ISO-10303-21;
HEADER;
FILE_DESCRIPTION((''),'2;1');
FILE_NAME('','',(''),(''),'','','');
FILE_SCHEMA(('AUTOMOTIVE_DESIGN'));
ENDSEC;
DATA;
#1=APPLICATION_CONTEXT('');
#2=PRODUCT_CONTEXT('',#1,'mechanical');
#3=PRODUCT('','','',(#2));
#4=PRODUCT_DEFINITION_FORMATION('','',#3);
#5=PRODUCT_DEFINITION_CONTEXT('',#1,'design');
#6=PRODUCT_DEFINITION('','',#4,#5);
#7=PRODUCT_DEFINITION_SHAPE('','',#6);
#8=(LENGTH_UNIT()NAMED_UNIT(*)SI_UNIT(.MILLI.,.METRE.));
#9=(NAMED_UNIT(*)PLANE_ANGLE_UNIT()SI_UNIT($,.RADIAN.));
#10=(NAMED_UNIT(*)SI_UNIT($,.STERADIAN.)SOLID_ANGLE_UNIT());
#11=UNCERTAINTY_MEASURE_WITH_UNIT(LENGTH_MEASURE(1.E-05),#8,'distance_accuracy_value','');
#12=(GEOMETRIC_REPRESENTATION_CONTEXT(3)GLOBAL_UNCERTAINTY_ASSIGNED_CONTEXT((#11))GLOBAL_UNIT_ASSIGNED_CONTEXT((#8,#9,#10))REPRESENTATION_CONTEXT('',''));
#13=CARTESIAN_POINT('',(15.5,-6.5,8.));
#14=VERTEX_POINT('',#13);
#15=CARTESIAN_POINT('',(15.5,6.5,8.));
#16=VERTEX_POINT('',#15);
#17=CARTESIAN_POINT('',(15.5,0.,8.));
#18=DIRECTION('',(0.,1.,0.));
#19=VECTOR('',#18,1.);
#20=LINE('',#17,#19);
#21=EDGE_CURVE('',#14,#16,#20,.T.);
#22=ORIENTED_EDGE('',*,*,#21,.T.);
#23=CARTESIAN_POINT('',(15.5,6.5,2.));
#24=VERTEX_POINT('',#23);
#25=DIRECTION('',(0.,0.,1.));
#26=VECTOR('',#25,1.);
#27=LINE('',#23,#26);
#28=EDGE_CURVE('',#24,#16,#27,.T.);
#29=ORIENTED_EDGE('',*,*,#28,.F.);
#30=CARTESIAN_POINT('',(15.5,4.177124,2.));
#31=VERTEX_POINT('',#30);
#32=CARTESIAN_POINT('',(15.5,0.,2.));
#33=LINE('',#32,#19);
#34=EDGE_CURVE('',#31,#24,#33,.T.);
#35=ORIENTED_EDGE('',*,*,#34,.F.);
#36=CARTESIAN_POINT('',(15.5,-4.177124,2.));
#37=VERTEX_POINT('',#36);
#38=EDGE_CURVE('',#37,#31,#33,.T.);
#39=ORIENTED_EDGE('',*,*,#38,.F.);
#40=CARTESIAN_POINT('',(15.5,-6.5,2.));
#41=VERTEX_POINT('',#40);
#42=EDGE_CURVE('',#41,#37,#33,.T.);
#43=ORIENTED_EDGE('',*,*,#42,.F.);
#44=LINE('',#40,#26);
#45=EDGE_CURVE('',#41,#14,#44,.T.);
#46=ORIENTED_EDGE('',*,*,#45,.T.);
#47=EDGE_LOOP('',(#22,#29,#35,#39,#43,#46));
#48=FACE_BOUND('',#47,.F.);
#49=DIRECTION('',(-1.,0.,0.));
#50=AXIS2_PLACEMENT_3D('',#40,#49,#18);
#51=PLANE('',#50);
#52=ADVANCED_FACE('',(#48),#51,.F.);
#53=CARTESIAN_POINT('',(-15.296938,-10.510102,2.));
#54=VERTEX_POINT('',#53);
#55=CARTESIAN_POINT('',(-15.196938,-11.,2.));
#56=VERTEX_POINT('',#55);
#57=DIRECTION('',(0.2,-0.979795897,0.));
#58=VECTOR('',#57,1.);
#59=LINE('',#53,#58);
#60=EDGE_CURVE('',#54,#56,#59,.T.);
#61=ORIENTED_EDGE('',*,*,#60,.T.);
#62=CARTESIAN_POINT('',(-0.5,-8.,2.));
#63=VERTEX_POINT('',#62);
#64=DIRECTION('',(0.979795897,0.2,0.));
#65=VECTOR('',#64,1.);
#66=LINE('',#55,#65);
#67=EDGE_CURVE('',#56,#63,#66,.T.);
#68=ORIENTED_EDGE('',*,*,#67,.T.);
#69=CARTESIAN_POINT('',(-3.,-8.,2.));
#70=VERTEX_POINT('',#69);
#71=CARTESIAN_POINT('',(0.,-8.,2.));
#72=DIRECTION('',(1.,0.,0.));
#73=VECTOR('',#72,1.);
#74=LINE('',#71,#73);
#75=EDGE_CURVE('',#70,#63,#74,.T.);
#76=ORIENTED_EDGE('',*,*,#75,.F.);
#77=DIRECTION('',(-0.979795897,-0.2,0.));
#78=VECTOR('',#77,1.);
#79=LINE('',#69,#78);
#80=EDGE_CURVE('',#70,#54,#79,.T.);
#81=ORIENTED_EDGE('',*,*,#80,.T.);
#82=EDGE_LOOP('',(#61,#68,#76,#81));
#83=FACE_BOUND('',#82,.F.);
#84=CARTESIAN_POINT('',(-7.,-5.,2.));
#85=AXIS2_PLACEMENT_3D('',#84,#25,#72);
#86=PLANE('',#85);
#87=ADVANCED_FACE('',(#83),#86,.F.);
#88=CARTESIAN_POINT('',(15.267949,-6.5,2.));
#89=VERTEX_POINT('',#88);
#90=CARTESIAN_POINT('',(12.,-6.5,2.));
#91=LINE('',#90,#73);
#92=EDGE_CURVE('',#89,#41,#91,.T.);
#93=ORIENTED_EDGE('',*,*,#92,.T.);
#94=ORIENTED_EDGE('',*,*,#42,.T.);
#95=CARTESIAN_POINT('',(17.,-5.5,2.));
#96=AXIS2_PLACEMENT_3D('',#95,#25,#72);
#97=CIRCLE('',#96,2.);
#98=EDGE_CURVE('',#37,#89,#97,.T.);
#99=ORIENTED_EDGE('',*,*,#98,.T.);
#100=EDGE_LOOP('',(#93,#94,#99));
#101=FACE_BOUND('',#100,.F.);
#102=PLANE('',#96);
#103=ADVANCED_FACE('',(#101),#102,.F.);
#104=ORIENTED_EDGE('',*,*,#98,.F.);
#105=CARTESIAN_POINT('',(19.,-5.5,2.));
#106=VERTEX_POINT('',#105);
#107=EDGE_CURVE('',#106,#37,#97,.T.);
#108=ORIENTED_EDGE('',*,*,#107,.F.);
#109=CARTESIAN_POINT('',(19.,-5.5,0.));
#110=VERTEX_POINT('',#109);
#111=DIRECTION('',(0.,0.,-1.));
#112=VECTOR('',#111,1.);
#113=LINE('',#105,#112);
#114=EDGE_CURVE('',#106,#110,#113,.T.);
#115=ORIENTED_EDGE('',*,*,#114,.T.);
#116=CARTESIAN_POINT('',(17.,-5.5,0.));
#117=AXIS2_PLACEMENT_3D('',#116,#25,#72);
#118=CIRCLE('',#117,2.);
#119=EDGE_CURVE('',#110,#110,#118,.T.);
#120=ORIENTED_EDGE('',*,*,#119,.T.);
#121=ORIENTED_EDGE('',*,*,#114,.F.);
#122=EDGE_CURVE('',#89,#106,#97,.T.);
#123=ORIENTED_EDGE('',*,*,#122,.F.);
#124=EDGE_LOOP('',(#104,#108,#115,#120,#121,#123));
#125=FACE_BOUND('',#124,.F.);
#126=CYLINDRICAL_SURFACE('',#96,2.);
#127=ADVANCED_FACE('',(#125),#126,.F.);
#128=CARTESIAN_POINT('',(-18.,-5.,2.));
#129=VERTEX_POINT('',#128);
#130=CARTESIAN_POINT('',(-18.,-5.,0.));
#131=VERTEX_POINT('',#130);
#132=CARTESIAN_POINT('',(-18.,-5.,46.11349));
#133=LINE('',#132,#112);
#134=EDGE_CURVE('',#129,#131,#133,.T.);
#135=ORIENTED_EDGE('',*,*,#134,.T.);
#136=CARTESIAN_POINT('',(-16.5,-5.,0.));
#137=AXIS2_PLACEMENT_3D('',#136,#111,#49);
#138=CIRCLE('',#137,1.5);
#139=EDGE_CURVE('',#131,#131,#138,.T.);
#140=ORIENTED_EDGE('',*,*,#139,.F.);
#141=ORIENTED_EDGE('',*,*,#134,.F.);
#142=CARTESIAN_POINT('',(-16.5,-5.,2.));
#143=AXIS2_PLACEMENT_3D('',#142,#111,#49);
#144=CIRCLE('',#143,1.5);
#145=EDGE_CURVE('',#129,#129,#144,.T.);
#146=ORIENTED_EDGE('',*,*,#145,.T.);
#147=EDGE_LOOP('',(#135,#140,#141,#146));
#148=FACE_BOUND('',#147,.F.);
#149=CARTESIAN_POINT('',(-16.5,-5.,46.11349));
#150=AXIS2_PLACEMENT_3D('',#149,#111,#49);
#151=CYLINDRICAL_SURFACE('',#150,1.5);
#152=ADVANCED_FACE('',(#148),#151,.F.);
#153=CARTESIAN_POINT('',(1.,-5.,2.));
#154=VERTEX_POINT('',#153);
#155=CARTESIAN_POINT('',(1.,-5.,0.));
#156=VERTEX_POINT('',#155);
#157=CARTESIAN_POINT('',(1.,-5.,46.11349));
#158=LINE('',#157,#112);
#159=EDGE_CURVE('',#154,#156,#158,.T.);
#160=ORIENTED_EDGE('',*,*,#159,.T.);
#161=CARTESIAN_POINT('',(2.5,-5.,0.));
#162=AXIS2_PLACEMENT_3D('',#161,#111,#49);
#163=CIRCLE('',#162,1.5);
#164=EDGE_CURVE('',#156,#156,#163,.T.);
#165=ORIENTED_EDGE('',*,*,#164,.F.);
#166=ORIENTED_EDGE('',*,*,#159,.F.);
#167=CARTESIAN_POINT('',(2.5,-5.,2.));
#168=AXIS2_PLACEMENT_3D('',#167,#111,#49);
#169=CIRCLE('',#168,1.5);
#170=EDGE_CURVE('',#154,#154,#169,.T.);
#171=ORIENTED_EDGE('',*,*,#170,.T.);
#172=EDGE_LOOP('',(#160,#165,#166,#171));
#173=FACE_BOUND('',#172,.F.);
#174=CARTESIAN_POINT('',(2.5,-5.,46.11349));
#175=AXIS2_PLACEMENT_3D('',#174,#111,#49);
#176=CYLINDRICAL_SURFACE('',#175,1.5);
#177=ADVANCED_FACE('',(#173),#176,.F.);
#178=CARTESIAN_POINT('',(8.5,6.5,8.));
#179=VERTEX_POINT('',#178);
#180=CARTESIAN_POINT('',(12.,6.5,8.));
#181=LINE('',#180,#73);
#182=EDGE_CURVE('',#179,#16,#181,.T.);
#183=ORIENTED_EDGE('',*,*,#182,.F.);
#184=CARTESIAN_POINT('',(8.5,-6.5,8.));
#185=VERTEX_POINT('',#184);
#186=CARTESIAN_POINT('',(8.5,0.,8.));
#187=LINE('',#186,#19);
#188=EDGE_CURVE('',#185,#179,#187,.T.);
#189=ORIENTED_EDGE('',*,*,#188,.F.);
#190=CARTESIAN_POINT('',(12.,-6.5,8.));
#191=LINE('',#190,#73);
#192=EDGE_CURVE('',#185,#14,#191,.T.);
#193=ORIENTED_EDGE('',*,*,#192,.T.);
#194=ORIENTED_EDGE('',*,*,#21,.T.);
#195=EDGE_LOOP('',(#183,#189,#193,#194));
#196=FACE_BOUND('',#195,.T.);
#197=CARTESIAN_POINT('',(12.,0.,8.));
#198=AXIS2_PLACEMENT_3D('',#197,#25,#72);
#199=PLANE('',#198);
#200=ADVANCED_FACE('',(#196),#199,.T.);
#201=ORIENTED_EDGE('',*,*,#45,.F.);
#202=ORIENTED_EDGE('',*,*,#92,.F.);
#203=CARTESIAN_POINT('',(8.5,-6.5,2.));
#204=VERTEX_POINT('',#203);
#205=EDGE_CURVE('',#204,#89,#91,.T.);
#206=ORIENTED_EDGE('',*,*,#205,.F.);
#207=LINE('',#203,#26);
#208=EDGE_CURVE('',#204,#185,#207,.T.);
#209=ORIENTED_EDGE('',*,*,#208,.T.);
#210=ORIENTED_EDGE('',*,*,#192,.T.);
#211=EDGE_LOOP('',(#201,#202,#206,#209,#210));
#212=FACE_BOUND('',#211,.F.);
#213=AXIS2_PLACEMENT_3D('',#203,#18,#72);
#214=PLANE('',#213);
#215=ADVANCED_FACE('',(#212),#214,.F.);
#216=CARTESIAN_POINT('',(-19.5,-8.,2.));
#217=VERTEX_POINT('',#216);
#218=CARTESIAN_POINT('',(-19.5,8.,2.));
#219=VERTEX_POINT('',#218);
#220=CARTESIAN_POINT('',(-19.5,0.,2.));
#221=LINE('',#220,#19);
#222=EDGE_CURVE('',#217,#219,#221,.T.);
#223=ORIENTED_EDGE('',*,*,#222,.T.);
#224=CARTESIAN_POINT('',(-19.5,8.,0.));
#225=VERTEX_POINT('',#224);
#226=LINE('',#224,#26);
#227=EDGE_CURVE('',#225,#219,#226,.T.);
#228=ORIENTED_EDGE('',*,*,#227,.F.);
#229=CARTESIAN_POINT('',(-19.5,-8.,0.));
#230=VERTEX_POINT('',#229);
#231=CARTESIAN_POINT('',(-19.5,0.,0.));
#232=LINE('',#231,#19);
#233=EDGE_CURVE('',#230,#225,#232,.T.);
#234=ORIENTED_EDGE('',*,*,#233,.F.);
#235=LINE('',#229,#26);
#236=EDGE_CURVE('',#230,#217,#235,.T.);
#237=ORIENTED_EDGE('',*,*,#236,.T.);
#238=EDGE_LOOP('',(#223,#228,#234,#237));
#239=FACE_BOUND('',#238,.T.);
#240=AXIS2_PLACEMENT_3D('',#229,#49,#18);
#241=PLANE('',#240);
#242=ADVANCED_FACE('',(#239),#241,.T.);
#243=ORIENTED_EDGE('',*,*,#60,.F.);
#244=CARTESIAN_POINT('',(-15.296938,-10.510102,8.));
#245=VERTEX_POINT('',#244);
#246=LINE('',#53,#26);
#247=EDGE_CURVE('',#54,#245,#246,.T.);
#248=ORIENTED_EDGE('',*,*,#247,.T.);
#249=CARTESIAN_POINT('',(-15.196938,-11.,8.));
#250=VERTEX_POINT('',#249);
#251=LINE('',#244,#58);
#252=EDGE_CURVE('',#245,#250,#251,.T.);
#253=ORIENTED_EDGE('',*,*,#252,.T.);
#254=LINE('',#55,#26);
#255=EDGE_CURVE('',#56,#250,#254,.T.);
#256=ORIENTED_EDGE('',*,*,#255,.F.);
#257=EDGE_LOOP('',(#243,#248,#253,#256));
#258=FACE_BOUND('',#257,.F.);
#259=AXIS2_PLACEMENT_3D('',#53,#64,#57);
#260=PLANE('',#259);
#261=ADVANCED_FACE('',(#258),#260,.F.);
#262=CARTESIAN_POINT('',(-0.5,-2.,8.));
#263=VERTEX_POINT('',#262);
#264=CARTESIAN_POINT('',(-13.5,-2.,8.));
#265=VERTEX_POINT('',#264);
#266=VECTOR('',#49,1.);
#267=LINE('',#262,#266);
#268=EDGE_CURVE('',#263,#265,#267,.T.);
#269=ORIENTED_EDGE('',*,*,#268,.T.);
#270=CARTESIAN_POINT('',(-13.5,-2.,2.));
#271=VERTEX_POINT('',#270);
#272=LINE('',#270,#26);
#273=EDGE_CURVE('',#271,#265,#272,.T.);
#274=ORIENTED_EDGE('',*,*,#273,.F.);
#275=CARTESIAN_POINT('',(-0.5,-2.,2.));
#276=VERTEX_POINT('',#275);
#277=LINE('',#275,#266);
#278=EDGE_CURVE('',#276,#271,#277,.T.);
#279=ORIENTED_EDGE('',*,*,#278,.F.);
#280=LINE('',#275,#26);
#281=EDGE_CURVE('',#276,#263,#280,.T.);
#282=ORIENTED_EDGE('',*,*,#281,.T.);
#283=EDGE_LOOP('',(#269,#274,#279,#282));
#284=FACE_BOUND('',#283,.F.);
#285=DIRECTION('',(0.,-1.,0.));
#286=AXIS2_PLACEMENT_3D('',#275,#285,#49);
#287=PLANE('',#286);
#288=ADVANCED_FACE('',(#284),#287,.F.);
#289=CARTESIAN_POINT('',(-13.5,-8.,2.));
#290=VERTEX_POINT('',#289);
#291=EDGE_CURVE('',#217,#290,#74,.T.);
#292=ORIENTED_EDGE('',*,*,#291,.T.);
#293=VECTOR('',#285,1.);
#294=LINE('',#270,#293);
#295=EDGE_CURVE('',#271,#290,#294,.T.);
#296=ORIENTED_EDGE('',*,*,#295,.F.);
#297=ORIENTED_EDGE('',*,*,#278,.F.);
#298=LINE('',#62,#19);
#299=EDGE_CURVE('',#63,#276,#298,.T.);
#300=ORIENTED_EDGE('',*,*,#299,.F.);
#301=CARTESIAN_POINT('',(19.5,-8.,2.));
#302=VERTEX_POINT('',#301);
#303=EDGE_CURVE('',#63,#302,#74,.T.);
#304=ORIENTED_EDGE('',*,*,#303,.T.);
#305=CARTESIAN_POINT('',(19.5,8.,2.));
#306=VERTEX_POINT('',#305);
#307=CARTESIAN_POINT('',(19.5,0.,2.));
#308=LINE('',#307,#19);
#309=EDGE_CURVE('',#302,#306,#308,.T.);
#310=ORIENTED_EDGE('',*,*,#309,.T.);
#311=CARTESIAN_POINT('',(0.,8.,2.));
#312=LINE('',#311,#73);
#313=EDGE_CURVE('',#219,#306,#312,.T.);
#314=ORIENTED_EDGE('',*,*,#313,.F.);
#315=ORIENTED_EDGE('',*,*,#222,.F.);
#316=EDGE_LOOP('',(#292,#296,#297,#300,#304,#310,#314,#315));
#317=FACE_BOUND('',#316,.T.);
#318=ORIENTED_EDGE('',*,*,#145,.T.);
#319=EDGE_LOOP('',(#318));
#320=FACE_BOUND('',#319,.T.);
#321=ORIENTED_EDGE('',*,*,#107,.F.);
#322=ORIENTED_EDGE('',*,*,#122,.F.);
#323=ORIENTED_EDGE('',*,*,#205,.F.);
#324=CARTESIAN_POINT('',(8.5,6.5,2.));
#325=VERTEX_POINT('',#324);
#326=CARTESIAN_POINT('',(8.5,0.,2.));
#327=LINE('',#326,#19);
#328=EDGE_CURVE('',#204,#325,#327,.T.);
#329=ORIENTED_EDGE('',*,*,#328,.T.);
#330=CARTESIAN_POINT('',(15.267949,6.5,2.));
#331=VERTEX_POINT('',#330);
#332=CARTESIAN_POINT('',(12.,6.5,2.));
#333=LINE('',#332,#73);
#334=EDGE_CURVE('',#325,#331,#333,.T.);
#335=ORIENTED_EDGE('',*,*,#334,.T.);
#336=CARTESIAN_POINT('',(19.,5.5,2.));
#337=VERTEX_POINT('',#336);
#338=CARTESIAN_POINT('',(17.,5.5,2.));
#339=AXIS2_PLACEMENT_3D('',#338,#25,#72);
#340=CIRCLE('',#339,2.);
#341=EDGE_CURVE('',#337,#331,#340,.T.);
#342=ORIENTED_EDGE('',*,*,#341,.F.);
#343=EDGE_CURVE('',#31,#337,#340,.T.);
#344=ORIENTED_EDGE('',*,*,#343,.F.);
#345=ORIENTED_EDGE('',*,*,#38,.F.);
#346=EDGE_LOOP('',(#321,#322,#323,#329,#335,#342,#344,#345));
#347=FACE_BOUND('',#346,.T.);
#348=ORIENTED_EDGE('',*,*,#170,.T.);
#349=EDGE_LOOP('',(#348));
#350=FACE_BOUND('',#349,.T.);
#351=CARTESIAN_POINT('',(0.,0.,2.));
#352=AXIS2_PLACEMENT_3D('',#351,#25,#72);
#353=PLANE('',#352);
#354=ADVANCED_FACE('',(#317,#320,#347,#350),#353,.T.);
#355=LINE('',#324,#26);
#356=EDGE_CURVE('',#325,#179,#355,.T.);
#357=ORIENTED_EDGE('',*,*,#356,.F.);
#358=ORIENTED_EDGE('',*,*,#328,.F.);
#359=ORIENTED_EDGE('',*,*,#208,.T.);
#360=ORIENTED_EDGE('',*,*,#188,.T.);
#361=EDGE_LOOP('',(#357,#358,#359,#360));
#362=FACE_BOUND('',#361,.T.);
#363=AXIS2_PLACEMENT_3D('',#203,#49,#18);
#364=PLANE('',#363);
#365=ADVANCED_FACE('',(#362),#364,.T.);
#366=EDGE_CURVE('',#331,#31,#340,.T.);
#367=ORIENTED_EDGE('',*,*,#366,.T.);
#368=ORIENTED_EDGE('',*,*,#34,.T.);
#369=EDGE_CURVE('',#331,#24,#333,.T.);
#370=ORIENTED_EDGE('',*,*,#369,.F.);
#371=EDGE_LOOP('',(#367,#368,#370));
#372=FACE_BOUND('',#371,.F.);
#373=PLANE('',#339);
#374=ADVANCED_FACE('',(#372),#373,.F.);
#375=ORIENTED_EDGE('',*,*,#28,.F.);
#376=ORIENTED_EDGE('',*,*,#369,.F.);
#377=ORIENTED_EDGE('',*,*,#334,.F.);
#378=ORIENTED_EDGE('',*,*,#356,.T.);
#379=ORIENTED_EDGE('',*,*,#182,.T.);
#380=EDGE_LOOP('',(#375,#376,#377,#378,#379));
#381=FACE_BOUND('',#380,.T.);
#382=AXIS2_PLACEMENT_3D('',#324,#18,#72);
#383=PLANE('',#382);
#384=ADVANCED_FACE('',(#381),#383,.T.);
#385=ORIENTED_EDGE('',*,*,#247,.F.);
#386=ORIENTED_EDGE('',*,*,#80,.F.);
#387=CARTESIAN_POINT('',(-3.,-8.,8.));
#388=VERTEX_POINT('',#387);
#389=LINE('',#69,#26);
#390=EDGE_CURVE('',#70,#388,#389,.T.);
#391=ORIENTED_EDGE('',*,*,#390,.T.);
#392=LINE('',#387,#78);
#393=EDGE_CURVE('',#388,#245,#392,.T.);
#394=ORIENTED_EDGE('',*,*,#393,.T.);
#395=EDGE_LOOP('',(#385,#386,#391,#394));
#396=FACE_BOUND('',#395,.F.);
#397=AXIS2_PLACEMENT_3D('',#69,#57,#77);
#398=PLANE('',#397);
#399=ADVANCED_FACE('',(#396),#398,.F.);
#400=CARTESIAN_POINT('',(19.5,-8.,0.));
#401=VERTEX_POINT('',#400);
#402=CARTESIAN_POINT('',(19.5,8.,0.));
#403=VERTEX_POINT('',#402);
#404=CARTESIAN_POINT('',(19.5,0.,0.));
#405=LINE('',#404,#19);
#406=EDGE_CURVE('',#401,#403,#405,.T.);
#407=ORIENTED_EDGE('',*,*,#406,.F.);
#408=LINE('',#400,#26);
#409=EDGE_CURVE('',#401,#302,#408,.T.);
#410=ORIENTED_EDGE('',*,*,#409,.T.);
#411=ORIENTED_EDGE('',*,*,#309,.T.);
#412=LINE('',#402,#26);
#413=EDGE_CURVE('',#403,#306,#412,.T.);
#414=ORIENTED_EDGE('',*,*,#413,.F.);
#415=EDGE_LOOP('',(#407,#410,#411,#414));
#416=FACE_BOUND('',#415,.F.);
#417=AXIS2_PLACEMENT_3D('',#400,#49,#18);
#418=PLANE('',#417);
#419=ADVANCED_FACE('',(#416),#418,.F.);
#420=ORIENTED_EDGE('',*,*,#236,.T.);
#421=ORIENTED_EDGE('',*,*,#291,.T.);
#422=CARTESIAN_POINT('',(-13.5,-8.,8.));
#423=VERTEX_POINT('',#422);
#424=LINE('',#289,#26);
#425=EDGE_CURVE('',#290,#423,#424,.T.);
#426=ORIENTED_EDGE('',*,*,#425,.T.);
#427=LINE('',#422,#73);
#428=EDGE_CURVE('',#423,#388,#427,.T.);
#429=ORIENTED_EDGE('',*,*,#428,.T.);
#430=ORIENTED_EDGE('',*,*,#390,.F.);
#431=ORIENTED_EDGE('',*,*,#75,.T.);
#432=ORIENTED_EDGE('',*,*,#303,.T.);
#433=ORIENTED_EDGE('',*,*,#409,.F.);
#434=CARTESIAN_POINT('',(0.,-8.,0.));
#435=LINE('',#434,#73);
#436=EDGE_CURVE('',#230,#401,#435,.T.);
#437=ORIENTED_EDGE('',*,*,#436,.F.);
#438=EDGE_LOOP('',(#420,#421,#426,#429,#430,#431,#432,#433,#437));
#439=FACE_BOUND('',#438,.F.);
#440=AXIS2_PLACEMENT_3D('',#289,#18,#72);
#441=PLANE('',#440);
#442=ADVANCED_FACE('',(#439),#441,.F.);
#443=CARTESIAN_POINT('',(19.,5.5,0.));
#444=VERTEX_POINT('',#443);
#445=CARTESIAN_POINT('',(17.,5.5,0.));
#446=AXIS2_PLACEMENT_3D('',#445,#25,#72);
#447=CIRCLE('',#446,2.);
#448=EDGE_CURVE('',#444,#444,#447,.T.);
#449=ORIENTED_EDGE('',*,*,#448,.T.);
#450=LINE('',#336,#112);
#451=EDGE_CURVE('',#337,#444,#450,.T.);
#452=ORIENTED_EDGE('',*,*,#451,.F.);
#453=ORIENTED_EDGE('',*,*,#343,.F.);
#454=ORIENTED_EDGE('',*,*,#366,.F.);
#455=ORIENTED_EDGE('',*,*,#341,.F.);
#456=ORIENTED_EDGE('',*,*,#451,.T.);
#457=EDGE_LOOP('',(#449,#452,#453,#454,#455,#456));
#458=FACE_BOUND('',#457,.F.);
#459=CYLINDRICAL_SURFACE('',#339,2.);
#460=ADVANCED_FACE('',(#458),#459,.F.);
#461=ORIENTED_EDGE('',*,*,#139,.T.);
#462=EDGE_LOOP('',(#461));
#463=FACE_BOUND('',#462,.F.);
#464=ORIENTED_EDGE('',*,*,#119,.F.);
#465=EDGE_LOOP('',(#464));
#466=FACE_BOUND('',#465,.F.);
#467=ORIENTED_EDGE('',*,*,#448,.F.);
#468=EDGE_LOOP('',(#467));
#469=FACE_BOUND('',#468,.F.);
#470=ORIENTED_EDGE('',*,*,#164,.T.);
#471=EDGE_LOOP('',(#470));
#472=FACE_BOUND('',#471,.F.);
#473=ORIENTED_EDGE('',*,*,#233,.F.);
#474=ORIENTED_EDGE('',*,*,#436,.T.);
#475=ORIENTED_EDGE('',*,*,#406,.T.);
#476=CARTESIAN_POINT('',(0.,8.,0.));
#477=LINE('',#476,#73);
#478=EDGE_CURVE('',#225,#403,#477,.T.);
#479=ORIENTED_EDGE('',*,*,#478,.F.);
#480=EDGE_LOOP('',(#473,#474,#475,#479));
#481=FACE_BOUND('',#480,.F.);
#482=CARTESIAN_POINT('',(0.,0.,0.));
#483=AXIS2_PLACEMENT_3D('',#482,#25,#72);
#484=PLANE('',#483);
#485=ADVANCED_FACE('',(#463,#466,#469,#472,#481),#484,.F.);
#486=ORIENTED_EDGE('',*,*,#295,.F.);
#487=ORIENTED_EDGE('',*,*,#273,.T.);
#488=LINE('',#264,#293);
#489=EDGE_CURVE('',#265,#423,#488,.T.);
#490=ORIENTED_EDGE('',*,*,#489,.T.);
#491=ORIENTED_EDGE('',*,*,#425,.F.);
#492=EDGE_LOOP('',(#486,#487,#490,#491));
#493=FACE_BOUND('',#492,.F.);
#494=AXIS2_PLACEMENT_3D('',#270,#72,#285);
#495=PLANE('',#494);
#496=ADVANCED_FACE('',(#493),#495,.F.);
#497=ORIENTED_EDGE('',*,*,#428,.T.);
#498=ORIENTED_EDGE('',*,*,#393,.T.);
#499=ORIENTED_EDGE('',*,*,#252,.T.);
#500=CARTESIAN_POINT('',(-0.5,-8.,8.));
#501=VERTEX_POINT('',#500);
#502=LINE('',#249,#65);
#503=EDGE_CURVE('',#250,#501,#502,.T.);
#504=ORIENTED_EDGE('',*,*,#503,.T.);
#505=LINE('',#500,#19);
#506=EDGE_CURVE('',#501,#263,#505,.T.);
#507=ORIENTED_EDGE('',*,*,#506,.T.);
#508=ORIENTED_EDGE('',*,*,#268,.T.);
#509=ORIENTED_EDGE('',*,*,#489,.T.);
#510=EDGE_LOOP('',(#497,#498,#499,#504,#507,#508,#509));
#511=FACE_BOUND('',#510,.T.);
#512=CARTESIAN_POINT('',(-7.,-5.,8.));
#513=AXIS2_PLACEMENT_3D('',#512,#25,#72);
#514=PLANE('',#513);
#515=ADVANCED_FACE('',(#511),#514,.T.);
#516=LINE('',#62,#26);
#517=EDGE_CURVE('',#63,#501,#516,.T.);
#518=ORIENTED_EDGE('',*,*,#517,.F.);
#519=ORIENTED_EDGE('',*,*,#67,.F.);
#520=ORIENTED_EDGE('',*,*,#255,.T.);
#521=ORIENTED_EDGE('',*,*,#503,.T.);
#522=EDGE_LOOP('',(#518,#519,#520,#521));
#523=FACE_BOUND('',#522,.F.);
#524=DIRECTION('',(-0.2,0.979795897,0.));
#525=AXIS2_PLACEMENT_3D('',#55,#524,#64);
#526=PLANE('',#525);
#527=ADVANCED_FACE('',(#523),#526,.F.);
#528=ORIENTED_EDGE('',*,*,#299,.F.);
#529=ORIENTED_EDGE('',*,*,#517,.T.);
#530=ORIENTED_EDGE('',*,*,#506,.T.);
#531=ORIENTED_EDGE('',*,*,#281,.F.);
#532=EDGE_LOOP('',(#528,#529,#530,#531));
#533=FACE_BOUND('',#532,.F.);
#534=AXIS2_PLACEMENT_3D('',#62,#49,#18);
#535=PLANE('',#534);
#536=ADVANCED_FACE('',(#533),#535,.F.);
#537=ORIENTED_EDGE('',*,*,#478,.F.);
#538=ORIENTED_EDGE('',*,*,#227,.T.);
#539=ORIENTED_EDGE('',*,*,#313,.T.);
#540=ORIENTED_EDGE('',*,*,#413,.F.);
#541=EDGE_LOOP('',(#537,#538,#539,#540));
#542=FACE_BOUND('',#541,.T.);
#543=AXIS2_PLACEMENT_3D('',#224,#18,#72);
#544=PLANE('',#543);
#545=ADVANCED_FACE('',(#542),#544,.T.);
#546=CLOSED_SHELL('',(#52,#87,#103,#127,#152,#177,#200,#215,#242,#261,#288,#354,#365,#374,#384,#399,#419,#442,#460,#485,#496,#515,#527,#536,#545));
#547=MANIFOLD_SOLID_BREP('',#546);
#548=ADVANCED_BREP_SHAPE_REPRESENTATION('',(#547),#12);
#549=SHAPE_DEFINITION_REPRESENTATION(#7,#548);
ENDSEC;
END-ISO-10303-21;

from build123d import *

# Parameters (mm, degrees)
F0_W     = 39
F0_H     = 16
F1_DEPTH = 2
F2_W     = 7
F2_H     = 13
F3_DEPTH = 6
F4_D     = 3
F5_D     = 4
F5_DEPTH = 2.001


with BuildPart() as f1:
    # F0 (on Top) → F1 (new body)
    with BuildSketch(Plane.XY):
        Rectangle(F0_W, F0_H)
    extrude(amount=F1_DEPTH)

    # F2 (on face) → F3 (join)
    with BuildSketch(Plane.XY.offset(2)):
        Polygon((-13.5, -2), (-13.5, -8), (-3, -8), (-0.5, -8), (-0.5, -2), align=None)
        with Locations((12, 0)):
            Rectangle(F2_W, F2_H)
        Polygon((-0.5, -8), (-3, -8), (-15.2969384567, -10.5101020514), (-15.1969384567, -11), align=None)
    extrude(amount=F3_DEPTH)

    # F4 (through all)
    with Locations(Plane.XY.offset(2)):
        with Locations((-16.5, -5), (2.5, -5)):
            Hole(F4_D / 2)

    # F5 (through all, one way)
    with BuildSketch(Plane.XY.offset(2)):
        with Locations((17, 5.5), (17, -5.5)):
            Circle(F5_D / 2)
    extrude(amount=-F5_DEPTH, mode=Mode.SUBTRACT)


solid = f1.part
